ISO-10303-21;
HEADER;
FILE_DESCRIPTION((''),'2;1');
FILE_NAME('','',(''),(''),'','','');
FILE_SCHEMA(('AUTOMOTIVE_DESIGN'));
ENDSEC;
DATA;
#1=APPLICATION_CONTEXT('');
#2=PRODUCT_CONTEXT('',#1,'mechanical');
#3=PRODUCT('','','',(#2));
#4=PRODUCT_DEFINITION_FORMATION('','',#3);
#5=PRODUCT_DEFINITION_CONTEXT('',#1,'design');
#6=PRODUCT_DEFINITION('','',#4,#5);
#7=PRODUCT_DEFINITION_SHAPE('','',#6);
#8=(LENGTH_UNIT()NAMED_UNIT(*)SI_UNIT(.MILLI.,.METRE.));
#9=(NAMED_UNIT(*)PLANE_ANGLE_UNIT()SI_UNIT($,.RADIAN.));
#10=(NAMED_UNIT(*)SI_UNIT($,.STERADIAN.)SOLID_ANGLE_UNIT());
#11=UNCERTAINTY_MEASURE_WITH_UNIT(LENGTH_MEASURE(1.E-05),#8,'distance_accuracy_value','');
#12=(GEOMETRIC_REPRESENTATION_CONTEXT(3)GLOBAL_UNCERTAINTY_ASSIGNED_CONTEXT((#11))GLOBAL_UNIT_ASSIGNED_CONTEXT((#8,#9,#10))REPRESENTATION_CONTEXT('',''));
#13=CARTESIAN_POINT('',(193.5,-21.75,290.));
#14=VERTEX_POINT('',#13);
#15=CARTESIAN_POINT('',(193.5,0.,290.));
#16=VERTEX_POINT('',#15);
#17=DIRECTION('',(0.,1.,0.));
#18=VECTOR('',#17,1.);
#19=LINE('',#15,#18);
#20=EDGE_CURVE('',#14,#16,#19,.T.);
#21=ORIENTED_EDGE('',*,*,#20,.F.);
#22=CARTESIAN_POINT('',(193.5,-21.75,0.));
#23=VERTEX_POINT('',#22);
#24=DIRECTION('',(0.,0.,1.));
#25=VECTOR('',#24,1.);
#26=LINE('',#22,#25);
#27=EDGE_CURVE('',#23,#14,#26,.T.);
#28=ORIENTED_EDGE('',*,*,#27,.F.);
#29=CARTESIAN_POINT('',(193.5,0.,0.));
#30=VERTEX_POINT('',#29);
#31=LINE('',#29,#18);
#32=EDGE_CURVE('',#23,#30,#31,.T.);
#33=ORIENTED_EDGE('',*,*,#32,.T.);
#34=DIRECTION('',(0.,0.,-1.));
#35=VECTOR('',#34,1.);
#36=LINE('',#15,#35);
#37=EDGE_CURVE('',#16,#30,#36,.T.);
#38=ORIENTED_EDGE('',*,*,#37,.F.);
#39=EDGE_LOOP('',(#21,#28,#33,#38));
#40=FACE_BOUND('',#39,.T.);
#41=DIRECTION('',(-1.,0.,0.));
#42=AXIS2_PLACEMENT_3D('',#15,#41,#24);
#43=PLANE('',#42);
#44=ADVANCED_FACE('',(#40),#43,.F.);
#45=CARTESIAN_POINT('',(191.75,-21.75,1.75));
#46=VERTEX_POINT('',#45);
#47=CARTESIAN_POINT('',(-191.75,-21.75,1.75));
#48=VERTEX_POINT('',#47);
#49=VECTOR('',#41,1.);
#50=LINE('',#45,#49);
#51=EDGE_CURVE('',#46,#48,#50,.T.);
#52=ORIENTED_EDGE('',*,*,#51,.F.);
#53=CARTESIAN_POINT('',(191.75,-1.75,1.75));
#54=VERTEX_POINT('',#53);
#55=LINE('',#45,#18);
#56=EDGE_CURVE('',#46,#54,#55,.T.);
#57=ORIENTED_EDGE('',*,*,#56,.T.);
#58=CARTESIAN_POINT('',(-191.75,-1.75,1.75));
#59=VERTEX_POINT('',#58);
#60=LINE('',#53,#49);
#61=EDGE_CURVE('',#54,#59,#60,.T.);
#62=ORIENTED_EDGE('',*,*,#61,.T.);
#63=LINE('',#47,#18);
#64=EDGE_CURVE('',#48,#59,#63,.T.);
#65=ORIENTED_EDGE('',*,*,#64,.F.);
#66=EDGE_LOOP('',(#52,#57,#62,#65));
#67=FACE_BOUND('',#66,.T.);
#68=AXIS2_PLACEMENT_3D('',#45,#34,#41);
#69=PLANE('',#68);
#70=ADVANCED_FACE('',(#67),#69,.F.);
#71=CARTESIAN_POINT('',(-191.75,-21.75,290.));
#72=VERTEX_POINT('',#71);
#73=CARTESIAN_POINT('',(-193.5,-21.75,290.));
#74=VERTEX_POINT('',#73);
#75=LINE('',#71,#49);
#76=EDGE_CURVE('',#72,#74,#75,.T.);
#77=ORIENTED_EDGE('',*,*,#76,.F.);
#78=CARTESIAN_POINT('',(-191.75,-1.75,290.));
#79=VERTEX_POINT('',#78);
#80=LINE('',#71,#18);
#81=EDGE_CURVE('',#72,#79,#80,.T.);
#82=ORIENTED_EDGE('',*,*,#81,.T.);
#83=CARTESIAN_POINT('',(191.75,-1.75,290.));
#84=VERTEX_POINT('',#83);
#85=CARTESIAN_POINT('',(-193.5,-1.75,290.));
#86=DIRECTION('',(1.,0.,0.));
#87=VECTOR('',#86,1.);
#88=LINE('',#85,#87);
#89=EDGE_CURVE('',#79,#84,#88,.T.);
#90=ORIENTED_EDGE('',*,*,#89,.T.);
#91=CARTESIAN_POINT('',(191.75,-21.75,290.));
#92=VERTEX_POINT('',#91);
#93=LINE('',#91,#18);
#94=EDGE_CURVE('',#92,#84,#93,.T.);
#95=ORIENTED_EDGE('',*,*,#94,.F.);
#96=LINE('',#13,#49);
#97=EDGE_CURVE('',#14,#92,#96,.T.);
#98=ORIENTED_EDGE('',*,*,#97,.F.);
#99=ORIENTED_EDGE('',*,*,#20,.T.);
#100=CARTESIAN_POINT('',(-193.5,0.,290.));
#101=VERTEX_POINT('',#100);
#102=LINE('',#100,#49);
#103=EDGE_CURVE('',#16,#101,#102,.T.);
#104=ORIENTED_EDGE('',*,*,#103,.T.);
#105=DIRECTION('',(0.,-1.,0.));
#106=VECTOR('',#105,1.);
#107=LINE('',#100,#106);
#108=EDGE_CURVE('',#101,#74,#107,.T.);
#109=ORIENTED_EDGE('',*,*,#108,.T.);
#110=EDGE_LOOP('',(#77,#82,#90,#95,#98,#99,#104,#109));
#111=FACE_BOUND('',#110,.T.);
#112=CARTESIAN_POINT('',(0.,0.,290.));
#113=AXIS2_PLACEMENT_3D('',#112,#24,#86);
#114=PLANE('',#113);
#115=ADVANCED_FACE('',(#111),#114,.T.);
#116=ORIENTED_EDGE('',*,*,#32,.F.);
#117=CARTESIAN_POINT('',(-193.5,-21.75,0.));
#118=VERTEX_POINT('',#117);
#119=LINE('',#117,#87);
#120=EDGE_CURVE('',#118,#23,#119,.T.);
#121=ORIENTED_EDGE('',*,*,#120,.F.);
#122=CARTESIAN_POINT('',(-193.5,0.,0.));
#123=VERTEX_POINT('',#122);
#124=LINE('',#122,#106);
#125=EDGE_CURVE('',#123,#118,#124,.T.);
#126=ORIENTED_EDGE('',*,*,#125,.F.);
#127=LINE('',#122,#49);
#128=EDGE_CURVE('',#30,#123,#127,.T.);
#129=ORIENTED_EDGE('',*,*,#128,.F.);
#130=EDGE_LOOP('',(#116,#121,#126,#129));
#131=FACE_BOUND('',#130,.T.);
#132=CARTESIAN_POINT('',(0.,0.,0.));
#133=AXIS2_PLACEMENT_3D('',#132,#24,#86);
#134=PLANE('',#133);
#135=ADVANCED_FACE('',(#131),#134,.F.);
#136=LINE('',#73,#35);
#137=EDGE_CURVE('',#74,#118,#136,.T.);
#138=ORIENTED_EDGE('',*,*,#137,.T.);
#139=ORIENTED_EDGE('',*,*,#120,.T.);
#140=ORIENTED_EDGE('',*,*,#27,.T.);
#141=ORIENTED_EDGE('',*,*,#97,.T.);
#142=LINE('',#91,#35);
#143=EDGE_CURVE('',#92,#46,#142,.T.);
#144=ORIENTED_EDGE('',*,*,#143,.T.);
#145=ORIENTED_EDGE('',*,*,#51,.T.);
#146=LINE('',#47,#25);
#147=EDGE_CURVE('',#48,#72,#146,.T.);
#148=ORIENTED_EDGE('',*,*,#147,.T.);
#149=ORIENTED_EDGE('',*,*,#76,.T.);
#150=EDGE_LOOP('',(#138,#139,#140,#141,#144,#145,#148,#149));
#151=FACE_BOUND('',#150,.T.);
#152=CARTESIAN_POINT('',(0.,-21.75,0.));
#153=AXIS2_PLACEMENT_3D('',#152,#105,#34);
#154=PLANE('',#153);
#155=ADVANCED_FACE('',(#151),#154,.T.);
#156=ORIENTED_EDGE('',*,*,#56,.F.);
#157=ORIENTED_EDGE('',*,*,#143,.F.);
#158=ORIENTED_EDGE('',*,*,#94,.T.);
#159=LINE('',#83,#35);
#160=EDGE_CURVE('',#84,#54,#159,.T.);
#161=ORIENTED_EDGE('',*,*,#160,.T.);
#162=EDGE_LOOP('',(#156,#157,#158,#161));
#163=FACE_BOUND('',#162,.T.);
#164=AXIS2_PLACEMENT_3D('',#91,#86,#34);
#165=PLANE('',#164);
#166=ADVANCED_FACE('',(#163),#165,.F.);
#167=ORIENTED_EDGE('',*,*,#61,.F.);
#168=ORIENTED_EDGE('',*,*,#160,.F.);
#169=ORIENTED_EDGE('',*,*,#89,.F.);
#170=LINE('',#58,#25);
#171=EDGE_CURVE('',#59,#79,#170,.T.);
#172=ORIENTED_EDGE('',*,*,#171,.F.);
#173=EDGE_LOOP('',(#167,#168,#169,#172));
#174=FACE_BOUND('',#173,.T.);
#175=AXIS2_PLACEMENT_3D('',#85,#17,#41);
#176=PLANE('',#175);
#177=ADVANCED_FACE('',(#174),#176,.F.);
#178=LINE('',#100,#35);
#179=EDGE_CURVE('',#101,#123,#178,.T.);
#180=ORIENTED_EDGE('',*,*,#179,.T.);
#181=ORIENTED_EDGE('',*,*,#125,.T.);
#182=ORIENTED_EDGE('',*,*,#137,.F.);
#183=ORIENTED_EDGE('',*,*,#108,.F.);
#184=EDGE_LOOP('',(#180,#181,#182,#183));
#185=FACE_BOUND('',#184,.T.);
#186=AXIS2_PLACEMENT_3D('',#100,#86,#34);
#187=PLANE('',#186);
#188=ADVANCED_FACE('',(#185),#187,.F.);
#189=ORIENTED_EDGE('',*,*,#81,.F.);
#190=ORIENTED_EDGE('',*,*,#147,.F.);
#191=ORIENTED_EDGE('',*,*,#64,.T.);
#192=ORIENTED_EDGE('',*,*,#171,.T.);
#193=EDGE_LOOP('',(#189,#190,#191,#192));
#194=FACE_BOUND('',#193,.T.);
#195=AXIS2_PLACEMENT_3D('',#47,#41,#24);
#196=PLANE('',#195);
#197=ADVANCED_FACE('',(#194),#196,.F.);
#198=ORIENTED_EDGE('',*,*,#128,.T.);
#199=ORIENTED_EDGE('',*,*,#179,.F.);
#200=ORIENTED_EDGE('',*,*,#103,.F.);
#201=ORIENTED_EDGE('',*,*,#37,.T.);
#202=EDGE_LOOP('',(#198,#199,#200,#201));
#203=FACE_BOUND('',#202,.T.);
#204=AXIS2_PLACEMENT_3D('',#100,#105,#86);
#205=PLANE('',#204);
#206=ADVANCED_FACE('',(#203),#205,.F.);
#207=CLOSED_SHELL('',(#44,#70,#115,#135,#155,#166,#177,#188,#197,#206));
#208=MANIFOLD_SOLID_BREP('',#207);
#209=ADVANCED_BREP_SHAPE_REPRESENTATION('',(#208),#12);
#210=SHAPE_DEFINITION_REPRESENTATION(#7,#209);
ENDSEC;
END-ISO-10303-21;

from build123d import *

# Parameters (mm, degrees)
SZKIC1_W                    = 387
SZKIC1_H                    = 1.75
DODANIE_WYCI_GNI_CIE1_DEPTH = 290
DODANIE_WYCI_GNI_CIE2_DEPTH = 20


with BuildPart() as part:
    # Szkic1 → Dodanie-wyciągnięcie1 (new body)
    with BuildSketch(Plane.XY):
        with Locations((0, -0.875)):
            Rectangle(SZKIC1_W, SZKIC1_H)
    extrude(amount=DODANIE_WYCI_GNI_CIE1_DEPTH)

    # Szkic2 → Dodanie-wyciągnięcie2 (add)
    with BuildSketch(Plane.XZ.offset(1.75)):
        Polygon((-193.5, 290), (-193.5, 0), (193.5, 0), (193.5, 290), (191.75, 290), (191.75, 1.75), (-191.75, 1.75), (-191.75, 290), align=None)
    extrude(amount=DODANIE_WYCI_GNI_CIE2_DEPTH)


solid = part.part
